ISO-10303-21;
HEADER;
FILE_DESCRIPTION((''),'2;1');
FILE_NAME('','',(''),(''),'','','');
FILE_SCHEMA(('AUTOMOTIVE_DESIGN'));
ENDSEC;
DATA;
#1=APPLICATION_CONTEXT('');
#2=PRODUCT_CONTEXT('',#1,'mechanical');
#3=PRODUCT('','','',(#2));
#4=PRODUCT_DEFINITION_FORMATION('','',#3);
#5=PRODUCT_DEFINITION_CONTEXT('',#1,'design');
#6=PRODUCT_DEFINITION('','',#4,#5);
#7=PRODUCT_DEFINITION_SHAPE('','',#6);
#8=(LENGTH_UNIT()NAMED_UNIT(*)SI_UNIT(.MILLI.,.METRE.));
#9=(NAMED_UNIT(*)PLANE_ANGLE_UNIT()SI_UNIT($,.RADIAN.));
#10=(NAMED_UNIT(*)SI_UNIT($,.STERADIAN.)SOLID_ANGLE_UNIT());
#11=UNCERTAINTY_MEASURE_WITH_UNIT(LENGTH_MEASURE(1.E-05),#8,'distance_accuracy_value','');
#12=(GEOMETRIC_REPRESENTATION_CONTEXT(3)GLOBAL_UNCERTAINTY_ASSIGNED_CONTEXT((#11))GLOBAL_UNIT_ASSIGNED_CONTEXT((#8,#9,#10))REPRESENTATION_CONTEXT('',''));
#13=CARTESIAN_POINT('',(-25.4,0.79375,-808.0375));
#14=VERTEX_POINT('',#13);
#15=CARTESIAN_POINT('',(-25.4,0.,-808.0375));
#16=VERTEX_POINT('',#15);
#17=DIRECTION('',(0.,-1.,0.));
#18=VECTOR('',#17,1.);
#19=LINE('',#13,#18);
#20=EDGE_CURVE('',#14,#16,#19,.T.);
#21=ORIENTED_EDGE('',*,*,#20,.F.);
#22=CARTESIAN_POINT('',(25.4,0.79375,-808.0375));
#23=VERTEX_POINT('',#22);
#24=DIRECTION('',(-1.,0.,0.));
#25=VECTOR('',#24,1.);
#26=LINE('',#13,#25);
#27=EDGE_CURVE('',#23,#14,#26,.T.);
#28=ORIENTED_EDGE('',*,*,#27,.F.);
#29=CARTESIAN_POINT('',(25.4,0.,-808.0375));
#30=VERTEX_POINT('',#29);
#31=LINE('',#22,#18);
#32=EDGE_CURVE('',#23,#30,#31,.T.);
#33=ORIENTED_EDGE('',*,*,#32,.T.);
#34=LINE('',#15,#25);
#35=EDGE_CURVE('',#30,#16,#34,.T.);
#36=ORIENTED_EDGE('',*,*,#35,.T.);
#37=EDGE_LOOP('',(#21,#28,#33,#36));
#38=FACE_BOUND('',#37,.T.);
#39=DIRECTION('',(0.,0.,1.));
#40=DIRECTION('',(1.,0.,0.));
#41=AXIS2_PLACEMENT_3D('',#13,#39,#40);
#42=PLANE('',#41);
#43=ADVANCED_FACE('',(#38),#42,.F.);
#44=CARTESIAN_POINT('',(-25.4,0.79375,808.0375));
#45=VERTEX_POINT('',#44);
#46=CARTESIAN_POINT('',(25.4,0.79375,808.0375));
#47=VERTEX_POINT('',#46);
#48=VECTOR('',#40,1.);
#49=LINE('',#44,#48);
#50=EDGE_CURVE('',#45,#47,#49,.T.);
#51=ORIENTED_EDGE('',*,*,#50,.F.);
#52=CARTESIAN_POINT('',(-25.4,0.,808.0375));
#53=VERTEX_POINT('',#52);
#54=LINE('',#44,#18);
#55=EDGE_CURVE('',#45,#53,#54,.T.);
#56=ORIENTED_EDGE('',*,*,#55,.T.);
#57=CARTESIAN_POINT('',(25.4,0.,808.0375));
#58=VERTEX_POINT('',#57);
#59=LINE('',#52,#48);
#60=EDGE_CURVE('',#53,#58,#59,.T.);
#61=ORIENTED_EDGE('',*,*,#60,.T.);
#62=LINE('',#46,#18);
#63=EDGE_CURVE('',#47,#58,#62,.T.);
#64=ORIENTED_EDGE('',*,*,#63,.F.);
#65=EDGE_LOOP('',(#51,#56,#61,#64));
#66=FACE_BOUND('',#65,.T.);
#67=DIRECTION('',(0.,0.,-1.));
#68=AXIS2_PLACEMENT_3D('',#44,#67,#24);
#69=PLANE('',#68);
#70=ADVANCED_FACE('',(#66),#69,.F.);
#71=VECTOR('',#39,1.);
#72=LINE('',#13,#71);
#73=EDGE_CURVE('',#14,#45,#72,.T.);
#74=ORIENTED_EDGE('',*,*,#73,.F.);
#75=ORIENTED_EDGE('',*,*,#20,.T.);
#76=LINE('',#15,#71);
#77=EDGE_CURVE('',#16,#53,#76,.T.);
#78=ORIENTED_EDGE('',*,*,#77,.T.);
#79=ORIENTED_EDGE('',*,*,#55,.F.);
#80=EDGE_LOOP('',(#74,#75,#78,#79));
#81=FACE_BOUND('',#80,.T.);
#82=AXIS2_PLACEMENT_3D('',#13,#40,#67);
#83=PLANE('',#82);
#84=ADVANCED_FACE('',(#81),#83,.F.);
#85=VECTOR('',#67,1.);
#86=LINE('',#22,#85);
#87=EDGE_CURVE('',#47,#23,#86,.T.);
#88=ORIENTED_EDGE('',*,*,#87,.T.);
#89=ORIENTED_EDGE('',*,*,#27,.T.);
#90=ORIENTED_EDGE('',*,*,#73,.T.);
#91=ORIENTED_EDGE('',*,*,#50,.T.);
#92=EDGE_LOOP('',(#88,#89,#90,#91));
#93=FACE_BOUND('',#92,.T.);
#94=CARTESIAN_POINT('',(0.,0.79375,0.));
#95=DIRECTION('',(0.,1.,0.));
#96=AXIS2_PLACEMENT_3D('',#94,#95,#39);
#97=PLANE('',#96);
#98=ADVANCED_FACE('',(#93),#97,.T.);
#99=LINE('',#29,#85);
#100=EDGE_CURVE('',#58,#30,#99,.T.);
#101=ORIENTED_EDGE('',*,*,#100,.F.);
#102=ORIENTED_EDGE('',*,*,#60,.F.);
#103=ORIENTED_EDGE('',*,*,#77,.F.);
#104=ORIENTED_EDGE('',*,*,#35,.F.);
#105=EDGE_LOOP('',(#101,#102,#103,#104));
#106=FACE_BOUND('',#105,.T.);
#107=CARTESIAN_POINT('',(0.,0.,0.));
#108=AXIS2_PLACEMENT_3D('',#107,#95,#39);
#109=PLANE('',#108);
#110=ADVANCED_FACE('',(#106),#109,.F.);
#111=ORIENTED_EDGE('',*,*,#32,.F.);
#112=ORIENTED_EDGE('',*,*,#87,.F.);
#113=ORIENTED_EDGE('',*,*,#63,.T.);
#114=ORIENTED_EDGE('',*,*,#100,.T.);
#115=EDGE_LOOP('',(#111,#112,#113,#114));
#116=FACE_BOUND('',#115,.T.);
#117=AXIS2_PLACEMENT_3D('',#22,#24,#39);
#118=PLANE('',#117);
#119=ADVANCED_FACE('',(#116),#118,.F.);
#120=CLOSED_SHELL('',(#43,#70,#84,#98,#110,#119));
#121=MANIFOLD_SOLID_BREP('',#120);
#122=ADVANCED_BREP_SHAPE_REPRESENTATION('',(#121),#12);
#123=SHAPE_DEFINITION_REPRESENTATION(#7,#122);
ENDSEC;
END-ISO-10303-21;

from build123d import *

# Parameters (mm, degrees)
SKETCH1_W           = 50.8
SKETCH1_H           = 1616.075
BOSS_EXTRUDE1_DEPTH = 0.79375


with BuildPart() as part:
    # Sketch1 → Boss-Extrude1 (new body)
    with BuildSketch(Plane(origin=(0, 0, 0), x_dir=(1, 0, 0), z_dir=(0, 1, 0))):
        Rectangle(SKETCH1_W, SKETCH1_H)
    extrude(amount=BOSS_EXTRUDE1_DEPTH)


solid = part.part
